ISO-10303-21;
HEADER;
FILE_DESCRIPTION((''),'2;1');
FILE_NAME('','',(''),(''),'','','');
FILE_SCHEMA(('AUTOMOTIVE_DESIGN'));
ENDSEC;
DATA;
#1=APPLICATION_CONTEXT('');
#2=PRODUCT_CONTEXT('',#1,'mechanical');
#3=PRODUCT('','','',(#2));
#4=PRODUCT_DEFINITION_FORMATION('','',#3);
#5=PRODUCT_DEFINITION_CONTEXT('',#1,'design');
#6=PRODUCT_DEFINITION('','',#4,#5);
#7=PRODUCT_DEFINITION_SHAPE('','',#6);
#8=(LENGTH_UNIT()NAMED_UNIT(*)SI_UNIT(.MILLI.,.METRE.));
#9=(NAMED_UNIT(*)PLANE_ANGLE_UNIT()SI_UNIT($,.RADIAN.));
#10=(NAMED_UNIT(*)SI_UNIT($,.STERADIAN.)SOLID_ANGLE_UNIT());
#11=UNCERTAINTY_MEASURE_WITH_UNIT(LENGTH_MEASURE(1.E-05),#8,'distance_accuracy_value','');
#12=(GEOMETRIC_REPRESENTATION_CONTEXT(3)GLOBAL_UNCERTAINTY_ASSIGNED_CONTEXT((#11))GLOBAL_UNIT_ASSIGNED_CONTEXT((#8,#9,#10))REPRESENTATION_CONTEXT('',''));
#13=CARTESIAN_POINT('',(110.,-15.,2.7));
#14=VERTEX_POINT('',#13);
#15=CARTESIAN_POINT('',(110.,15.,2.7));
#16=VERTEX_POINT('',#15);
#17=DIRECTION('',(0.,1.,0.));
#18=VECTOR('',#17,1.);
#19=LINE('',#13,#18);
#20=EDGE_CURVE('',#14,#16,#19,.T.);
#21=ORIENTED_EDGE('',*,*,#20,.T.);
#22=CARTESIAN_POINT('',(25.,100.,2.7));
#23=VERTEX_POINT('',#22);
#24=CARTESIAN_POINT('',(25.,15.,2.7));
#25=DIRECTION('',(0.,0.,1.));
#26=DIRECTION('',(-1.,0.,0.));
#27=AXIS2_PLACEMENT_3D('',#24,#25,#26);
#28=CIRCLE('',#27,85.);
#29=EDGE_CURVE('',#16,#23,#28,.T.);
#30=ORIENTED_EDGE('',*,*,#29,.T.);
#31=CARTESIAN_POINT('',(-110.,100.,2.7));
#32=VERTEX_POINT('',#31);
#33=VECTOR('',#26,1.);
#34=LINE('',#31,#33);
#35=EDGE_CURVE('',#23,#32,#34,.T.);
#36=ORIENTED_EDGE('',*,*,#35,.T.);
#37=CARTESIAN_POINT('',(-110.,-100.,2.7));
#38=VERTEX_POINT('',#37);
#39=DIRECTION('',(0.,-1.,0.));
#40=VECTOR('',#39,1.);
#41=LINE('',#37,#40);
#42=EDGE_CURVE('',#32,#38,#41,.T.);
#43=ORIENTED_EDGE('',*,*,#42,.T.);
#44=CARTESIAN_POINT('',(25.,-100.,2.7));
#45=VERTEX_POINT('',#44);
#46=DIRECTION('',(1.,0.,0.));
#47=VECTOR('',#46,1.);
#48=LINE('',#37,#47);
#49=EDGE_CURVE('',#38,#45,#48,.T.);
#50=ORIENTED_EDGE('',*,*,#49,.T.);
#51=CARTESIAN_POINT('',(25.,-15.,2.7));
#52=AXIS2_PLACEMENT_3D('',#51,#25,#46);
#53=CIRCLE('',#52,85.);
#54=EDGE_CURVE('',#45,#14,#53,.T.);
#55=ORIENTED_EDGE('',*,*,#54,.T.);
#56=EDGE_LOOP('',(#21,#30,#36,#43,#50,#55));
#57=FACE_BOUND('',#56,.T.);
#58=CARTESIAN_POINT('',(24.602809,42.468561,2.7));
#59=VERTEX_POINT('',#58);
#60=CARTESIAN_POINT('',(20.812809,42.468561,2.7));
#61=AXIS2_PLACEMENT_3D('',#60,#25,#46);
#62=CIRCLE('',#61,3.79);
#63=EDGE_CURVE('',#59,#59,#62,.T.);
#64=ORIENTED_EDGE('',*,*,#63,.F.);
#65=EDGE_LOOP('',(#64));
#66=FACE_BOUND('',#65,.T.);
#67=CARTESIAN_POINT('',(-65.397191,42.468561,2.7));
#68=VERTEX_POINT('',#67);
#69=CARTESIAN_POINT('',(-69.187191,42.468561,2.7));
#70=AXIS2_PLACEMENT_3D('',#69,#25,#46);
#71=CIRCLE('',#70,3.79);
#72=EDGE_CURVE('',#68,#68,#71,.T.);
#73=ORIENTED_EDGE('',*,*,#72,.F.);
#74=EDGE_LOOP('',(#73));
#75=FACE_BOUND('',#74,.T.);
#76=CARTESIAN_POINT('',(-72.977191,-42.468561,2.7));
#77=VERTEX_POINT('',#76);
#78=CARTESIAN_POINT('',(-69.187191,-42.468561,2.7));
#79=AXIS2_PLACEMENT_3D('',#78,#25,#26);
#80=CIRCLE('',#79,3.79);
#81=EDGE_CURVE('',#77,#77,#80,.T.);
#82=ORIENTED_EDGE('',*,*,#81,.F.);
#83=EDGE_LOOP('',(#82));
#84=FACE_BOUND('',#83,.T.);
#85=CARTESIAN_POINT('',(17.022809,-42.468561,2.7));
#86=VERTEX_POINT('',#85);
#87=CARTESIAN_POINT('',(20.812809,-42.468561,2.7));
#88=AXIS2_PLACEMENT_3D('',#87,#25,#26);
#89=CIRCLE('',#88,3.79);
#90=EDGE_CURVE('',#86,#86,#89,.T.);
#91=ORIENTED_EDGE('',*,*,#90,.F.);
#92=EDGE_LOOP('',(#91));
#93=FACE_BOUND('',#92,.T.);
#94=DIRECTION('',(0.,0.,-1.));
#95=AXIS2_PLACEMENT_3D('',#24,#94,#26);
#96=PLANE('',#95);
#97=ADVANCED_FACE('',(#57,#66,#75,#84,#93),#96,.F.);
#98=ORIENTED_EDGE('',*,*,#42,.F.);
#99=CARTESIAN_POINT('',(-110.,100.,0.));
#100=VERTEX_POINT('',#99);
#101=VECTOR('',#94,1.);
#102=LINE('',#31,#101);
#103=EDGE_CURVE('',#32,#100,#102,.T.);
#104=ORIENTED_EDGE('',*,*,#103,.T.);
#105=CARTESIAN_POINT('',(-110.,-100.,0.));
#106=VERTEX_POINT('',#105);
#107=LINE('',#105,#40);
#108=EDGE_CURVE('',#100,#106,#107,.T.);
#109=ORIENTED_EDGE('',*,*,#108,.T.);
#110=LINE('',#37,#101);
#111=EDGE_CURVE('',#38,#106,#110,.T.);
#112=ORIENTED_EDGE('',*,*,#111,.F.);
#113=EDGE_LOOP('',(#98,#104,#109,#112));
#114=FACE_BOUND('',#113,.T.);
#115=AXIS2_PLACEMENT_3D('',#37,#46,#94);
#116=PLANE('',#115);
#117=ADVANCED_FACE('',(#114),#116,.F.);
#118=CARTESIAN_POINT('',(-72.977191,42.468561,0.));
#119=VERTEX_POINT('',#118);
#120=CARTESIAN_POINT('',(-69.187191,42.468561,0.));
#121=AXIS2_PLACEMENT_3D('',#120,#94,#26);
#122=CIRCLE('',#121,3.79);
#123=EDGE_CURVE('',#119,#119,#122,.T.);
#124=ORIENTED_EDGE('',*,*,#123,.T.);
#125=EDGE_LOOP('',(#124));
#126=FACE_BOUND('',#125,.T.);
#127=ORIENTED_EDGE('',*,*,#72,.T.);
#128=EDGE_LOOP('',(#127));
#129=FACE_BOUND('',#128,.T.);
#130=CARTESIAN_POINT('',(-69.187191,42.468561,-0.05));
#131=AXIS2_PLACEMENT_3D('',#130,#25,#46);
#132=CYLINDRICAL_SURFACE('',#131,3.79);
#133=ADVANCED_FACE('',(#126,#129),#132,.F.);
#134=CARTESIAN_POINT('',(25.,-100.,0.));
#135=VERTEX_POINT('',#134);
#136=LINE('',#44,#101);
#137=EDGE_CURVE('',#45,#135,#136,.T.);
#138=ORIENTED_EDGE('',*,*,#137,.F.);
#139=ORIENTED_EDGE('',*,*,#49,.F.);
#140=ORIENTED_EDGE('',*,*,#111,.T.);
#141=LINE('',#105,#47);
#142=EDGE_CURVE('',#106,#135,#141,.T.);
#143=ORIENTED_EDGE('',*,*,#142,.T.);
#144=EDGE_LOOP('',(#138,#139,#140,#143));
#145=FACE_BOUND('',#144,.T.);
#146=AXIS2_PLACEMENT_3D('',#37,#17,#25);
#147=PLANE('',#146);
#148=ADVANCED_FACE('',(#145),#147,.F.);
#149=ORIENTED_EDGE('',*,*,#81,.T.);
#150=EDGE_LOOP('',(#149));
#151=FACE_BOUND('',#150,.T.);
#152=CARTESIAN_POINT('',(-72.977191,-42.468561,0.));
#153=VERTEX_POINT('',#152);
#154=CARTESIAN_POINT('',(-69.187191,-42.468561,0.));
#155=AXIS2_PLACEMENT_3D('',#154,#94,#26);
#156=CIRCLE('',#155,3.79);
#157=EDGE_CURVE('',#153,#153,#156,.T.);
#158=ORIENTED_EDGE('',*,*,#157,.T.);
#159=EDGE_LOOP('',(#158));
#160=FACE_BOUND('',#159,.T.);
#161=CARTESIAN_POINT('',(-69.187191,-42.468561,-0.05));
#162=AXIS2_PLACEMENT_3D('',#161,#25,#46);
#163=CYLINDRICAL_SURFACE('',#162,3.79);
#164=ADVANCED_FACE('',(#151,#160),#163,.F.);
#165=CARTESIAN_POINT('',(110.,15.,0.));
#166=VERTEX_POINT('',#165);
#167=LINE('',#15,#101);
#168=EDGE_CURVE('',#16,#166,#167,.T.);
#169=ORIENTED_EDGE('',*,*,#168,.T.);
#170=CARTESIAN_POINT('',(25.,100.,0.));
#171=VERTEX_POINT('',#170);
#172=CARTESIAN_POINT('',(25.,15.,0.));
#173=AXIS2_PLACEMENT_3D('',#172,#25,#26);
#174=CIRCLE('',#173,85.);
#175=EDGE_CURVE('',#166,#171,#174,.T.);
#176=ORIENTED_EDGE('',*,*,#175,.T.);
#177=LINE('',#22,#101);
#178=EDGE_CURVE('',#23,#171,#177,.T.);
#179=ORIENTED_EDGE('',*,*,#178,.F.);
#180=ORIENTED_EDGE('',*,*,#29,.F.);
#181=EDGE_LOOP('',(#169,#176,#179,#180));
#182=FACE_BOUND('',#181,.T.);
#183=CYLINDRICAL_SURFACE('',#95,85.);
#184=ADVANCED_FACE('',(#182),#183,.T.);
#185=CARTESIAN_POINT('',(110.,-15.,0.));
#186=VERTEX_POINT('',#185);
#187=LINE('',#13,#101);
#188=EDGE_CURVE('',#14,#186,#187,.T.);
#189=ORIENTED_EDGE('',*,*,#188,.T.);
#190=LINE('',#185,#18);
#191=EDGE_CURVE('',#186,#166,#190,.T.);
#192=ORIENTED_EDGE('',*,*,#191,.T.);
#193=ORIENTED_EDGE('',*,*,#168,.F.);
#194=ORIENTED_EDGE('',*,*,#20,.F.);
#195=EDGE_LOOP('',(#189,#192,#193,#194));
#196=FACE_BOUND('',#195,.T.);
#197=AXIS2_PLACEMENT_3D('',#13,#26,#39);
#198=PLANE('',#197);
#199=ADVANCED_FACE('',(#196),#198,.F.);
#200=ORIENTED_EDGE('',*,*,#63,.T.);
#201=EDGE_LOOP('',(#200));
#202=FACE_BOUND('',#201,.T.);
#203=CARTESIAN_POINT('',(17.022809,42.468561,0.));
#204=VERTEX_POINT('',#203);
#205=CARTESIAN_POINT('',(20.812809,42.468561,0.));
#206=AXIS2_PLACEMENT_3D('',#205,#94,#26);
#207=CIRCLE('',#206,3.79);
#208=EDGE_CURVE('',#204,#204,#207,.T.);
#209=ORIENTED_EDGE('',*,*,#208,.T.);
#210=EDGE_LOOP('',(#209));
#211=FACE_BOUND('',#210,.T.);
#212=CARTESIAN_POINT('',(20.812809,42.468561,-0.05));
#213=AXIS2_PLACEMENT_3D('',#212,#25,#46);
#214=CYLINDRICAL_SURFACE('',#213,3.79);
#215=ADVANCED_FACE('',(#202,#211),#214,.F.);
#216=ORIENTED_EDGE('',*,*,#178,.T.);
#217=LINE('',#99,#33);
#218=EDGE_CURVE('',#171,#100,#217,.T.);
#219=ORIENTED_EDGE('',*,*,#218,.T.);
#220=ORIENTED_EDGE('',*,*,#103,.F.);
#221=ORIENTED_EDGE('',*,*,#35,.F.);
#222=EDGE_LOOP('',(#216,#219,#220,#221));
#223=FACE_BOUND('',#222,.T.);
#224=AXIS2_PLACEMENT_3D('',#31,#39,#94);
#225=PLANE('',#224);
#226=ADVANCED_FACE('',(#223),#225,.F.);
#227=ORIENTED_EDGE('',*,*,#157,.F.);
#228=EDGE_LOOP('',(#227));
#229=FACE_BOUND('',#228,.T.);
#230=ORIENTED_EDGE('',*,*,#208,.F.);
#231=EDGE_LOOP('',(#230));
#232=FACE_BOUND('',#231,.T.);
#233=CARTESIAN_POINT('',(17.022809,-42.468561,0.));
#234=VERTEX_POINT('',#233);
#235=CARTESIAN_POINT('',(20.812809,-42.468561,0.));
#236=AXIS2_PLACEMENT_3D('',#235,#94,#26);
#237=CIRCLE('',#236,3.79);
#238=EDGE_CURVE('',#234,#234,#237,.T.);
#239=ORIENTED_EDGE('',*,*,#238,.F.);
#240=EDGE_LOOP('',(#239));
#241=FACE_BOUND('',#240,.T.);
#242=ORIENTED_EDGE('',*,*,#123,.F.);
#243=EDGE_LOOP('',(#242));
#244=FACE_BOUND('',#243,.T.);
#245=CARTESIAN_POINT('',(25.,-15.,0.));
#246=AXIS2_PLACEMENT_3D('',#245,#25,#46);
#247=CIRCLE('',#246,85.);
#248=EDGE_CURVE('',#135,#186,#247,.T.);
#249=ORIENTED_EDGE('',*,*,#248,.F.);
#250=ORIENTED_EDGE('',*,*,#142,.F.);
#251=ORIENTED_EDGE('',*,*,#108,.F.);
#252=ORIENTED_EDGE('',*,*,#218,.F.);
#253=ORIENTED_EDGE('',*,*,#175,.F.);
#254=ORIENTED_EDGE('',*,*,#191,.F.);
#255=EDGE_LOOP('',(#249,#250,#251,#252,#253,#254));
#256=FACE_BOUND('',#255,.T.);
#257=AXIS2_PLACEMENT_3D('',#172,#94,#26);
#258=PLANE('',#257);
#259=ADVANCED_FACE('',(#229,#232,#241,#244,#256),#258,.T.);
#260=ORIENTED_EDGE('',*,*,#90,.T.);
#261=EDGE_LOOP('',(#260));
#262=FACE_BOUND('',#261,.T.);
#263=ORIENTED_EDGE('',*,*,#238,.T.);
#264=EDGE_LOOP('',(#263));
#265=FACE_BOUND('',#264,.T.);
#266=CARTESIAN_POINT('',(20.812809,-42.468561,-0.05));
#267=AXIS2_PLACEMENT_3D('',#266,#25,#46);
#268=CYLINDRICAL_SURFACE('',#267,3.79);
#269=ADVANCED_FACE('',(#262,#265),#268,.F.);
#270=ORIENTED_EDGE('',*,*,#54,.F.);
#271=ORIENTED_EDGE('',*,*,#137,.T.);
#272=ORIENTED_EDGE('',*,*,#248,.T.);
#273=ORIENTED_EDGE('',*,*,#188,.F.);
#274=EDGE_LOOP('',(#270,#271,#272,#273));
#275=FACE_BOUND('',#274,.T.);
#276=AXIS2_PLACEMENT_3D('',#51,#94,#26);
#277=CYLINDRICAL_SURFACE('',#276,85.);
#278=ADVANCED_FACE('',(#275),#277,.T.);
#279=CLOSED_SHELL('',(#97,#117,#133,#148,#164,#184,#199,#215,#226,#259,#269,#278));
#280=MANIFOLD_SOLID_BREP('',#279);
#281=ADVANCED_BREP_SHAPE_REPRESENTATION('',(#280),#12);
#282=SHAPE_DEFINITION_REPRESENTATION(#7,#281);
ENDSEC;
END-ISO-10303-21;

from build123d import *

# Parameters (mm, degrees)
Y_KSEKLIK_EKSTR_ZYON3_DEPTH = 2.7
IZIM2_R                     = 3.79
KES_EKSTR_ZYON1_DEPTH       = 2.75


with BuildPart() as part:
    # Çizim1 → Yükseklik-Ekstrüzyon3 (new body)
    with BuildSketch(Plane.XY):
        with BuildLine():
            Line((-110, -100), (25, -100))
            ThreePointArc((25, -100), (85.104076401, -75.104076401), (110, -15))
            Line((110, -15), (110, 15))
            ThreePointArc((110, 15), (85.104076401, 75.104076401), (25, 100))
            Line((25, 100), (-110, 100))
            Line((-110, 100), (-110, -100))
        make_face()
    extrude(amount=Y_KSEKLIK_EKSTR_ZYON3_DEPTH)

    # Çizim2 → Kes-Ekstrüzyon1 (cut)
    with BuildSketch(Plane.XY.offset(2.7)):
        with Locations((-69.187191481, 42.468560625)):
            Circle(IZIM2_R)
        with Locations((20.812808519, 42.468560625)):
            Circle(IZIM2_R)
        with Locations(Location((20.812808519, -42.468560625, 0), (0, 0, 180))):
            Circle(IZIM2_R)
        with Locations(Location((-69.187191481, -42.468560625, 0), (0, 0, 180))):
            Circle(IZIM2_R)
    extrude(amount=-KES_EKSTR_ZYON1_DEPTH, mode=Mode.SUBTRACT)


solid = part.part
